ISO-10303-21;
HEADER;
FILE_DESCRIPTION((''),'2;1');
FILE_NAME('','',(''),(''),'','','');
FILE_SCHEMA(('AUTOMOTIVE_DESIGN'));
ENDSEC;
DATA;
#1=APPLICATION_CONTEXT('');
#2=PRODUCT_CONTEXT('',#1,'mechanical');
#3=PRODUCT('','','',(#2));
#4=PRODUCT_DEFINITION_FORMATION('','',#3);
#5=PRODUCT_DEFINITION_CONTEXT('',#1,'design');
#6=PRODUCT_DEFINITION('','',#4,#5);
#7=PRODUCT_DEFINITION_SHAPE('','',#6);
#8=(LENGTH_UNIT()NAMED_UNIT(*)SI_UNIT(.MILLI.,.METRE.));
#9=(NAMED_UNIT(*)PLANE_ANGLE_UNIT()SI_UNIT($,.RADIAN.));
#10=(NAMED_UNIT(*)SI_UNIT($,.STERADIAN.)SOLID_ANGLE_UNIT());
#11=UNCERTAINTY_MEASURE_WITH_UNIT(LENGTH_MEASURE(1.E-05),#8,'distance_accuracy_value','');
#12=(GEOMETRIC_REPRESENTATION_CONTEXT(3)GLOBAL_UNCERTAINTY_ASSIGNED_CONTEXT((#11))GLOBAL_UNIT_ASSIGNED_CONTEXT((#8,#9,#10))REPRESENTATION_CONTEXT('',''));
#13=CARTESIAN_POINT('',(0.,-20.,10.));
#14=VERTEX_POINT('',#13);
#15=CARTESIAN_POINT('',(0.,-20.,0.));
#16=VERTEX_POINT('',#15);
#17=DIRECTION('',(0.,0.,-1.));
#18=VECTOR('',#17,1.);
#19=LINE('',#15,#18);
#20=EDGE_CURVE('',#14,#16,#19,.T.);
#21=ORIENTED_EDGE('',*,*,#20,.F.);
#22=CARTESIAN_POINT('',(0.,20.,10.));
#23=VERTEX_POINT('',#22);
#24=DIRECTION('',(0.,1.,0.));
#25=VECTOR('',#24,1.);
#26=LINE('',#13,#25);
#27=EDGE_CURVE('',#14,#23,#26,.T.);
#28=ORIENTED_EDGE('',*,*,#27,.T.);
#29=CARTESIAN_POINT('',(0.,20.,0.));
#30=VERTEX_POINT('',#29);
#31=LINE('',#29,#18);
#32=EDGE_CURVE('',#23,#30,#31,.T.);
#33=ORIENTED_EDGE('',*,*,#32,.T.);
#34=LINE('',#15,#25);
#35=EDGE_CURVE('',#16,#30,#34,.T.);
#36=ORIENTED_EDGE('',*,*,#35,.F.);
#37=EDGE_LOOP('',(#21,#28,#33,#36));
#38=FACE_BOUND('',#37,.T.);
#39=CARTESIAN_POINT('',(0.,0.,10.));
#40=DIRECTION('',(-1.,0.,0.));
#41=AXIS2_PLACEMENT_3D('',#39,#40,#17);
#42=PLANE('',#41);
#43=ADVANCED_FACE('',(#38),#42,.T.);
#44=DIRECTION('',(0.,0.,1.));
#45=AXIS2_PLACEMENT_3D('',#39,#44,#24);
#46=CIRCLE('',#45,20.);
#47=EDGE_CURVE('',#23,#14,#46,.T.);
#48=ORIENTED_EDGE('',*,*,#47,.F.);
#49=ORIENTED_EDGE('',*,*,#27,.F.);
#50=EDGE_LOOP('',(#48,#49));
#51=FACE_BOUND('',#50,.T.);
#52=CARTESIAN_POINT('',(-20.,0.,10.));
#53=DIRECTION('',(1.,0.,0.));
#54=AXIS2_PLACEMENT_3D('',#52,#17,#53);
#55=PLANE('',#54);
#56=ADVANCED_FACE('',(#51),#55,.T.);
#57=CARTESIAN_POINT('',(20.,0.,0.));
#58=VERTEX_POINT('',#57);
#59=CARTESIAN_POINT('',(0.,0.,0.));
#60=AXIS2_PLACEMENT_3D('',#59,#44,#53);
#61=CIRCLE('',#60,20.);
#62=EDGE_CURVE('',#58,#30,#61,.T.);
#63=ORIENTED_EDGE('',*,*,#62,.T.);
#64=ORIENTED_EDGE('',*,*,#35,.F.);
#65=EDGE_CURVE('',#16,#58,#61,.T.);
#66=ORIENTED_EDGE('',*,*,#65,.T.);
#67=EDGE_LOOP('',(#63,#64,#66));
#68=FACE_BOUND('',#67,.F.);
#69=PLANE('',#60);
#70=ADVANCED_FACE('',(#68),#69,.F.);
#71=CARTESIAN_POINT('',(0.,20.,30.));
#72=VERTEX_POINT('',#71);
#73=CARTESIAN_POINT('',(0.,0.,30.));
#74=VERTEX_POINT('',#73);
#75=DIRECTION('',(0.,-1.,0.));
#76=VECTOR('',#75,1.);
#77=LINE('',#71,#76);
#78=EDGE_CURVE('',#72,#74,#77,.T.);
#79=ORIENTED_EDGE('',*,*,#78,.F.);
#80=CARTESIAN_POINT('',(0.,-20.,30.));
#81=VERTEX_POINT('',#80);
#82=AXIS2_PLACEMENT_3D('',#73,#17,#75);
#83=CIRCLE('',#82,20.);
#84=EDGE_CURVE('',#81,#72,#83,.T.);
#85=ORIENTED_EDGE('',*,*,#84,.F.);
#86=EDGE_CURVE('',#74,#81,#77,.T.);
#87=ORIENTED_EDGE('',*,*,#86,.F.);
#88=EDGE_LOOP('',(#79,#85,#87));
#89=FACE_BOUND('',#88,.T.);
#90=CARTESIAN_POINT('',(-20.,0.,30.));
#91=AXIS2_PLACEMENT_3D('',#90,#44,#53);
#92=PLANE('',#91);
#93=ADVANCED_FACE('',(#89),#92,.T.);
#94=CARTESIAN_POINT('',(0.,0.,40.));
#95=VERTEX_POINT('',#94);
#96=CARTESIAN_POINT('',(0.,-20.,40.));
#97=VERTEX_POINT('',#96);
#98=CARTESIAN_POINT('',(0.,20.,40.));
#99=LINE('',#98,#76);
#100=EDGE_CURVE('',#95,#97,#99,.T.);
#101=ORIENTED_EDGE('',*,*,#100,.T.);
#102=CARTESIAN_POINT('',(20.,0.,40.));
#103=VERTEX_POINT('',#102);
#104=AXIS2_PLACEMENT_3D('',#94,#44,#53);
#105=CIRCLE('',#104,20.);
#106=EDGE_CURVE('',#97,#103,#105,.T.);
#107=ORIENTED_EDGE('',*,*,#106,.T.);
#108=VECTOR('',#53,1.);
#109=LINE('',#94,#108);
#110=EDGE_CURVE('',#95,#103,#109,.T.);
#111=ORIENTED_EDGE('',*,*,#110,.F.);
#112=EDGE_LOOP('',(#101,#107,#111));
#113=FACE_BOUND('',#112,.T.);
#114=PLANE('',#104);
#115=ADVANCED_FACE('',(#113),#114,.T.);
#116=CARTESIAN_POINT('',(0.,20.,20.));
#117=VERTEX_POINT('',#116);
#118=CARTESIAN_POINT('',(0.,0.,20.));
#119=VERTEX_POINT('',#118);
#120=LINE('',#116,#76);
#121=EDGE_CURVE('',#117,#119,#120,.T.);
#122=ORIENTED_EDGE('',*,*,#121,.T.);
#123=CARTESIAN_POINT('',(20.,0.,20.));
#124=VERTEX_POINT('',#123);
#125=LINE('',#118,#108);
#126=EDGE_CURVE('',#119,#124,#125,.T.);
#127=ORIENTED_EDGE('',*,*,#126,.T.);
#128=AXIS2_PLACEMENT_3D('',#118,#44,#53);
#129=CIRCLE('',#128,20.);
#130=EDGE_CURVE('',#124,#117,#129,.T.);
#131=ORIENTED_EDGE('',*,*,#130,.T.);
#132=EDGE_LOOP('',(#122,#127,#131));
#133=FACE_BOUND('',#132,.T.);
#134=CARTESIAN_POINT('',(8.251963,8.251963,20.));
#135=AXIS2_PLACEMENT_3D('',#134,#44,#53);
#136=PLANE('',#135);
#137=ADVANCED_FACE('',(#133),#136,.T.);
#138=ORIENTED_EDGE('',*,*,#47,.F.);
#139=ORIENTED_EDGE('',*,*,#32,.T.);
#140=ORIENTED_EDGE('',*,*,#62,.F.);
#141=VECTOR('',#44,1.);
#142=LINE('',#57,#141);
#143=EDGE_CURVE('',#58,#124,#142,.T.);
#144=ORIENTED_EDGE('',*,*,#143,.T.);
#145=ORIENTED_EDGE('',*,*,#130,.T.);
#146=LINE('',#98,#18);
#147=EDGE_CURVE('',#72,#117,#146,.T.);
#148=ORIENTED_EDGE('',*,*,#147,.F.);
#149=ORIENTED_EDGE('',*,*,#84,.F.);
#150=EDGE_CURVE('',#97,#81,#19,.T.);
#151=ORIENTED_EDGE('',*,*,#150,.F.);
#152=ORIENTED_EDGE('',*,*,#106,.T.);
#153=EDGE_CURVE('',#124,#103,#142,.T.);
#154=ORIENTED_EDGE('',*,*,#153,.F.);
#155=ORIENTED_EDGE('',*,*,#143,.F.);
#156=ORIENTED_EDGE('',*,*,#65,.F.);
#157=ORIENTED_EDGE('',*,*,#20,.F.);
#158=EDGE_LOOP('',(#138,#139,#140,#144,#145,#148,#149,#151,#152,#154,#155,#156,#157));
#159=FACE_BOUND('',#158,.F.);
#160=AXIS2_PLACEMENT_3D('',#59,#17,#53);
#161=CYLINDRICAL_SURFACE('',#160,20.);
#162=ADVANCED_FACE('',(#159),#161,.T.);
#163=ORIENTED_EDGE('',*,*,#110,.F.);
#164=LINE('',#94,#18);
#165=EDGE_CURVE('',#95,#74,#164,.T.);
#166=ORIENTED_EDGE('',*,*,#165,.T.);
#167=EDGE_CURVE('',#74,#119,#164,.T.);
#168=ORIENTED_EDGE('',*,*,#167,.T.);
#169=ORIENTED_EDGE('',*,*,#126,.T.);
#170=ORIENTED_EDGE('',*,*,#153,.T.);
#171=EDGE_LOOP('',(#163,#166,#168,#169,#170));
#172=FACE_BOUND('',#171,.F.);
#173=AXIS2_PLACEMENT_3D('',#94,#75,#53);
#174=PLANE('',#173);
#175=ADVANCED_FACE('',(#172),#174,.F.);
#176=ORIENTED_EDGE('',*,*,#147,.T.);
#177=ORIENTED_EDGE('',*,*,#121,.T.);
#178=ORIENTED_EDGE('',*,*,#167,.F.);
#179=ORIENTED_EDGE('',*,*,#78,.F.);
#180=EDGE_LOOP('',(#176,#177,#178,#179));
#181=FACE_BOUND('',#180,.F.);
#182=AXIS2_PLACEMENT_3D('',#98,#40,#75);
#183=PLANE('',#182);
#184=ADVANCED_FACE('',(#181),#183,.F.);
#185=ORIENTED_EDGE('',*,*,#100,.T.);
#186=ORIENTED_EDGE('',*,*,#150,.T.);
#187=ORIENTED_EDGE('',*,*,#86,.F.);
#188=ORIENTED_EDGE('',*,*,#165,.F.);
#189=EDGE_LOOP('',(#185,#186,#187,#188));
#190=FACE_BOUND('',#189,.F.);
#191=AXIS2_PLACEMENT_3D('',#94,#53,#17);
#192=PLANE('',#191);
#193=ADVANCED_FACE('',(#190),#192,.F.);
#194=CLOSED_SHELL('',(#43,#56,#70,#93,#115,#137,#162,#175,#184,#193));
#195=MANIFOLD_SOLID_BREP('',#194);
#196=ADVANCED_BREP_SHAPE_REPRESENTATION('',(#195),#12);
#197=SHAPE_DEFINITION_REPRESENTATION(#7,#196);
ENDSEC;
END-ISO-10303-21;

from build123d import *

# Parameters (mm, degrees)
SKETCH1_R               = 20
BOSS_EXTRUDE1_DEPTH     = 40
CUT_EXTRUDE1_DEPTH      = 40
CUT_EXTRUDE1_DEPTH_BACK = 40
SKETCH2_W               = 20
SKETCH2_H               = 10
CUT_EXTRUDE2_START      = -20
CUT_EXTRUDE2_DEPTH      = 20


with BuildPart() as part:
    # Sketch1 → Boss-Extrude1 (new body)
    with BuildSketch(Plane.XY):
        Circle(SKETCH1_R)
    extrude(amount=BOSS_EXTRUDE1_DEPTH)

    # Sketch2 → Cut-Extrude1 (cut, two sides: drawn at the far end of the back side and taken through both)
    with BuildSketch(Plane(origin=(0, 0, 0), x_dir=(1, 0, 0), z_dir=(0, 1, 0)).offset(-CUT_EXTRUDE1_DEPTH_BACK)):
        with Locations((-10, -5)):
            Rectangle(SKETCH2_W, SKETCH2_H)
        with Locations((-10, -35)):
            Rectangle(SKETCH2_W, SKETCH2_H)
    extrude(amount=CUT_EXTRUDE1_DEPTH + CUT_EXTRUDE1_DEPTH_BACK, mode=Mode.SUBTRACT)

    # Sketch3 → Cut-Extrude2 (cut)
    with BuildSketch(Plane.XY.offset(40).offset(CUT_EXTRUDE2_START)):
        with BuildLine():
            Line((0, 0), (20, 0))
            ThreePointArc((20, 0), (14.142135624, 14.142135624), (0, 20))
            Line((0, 20), (0, 0))
        make_face()
    extrude(amount=CUT_EXTRUDE2_DEPTH, mode=Mode.SUBTRACT)


solid = part.part
